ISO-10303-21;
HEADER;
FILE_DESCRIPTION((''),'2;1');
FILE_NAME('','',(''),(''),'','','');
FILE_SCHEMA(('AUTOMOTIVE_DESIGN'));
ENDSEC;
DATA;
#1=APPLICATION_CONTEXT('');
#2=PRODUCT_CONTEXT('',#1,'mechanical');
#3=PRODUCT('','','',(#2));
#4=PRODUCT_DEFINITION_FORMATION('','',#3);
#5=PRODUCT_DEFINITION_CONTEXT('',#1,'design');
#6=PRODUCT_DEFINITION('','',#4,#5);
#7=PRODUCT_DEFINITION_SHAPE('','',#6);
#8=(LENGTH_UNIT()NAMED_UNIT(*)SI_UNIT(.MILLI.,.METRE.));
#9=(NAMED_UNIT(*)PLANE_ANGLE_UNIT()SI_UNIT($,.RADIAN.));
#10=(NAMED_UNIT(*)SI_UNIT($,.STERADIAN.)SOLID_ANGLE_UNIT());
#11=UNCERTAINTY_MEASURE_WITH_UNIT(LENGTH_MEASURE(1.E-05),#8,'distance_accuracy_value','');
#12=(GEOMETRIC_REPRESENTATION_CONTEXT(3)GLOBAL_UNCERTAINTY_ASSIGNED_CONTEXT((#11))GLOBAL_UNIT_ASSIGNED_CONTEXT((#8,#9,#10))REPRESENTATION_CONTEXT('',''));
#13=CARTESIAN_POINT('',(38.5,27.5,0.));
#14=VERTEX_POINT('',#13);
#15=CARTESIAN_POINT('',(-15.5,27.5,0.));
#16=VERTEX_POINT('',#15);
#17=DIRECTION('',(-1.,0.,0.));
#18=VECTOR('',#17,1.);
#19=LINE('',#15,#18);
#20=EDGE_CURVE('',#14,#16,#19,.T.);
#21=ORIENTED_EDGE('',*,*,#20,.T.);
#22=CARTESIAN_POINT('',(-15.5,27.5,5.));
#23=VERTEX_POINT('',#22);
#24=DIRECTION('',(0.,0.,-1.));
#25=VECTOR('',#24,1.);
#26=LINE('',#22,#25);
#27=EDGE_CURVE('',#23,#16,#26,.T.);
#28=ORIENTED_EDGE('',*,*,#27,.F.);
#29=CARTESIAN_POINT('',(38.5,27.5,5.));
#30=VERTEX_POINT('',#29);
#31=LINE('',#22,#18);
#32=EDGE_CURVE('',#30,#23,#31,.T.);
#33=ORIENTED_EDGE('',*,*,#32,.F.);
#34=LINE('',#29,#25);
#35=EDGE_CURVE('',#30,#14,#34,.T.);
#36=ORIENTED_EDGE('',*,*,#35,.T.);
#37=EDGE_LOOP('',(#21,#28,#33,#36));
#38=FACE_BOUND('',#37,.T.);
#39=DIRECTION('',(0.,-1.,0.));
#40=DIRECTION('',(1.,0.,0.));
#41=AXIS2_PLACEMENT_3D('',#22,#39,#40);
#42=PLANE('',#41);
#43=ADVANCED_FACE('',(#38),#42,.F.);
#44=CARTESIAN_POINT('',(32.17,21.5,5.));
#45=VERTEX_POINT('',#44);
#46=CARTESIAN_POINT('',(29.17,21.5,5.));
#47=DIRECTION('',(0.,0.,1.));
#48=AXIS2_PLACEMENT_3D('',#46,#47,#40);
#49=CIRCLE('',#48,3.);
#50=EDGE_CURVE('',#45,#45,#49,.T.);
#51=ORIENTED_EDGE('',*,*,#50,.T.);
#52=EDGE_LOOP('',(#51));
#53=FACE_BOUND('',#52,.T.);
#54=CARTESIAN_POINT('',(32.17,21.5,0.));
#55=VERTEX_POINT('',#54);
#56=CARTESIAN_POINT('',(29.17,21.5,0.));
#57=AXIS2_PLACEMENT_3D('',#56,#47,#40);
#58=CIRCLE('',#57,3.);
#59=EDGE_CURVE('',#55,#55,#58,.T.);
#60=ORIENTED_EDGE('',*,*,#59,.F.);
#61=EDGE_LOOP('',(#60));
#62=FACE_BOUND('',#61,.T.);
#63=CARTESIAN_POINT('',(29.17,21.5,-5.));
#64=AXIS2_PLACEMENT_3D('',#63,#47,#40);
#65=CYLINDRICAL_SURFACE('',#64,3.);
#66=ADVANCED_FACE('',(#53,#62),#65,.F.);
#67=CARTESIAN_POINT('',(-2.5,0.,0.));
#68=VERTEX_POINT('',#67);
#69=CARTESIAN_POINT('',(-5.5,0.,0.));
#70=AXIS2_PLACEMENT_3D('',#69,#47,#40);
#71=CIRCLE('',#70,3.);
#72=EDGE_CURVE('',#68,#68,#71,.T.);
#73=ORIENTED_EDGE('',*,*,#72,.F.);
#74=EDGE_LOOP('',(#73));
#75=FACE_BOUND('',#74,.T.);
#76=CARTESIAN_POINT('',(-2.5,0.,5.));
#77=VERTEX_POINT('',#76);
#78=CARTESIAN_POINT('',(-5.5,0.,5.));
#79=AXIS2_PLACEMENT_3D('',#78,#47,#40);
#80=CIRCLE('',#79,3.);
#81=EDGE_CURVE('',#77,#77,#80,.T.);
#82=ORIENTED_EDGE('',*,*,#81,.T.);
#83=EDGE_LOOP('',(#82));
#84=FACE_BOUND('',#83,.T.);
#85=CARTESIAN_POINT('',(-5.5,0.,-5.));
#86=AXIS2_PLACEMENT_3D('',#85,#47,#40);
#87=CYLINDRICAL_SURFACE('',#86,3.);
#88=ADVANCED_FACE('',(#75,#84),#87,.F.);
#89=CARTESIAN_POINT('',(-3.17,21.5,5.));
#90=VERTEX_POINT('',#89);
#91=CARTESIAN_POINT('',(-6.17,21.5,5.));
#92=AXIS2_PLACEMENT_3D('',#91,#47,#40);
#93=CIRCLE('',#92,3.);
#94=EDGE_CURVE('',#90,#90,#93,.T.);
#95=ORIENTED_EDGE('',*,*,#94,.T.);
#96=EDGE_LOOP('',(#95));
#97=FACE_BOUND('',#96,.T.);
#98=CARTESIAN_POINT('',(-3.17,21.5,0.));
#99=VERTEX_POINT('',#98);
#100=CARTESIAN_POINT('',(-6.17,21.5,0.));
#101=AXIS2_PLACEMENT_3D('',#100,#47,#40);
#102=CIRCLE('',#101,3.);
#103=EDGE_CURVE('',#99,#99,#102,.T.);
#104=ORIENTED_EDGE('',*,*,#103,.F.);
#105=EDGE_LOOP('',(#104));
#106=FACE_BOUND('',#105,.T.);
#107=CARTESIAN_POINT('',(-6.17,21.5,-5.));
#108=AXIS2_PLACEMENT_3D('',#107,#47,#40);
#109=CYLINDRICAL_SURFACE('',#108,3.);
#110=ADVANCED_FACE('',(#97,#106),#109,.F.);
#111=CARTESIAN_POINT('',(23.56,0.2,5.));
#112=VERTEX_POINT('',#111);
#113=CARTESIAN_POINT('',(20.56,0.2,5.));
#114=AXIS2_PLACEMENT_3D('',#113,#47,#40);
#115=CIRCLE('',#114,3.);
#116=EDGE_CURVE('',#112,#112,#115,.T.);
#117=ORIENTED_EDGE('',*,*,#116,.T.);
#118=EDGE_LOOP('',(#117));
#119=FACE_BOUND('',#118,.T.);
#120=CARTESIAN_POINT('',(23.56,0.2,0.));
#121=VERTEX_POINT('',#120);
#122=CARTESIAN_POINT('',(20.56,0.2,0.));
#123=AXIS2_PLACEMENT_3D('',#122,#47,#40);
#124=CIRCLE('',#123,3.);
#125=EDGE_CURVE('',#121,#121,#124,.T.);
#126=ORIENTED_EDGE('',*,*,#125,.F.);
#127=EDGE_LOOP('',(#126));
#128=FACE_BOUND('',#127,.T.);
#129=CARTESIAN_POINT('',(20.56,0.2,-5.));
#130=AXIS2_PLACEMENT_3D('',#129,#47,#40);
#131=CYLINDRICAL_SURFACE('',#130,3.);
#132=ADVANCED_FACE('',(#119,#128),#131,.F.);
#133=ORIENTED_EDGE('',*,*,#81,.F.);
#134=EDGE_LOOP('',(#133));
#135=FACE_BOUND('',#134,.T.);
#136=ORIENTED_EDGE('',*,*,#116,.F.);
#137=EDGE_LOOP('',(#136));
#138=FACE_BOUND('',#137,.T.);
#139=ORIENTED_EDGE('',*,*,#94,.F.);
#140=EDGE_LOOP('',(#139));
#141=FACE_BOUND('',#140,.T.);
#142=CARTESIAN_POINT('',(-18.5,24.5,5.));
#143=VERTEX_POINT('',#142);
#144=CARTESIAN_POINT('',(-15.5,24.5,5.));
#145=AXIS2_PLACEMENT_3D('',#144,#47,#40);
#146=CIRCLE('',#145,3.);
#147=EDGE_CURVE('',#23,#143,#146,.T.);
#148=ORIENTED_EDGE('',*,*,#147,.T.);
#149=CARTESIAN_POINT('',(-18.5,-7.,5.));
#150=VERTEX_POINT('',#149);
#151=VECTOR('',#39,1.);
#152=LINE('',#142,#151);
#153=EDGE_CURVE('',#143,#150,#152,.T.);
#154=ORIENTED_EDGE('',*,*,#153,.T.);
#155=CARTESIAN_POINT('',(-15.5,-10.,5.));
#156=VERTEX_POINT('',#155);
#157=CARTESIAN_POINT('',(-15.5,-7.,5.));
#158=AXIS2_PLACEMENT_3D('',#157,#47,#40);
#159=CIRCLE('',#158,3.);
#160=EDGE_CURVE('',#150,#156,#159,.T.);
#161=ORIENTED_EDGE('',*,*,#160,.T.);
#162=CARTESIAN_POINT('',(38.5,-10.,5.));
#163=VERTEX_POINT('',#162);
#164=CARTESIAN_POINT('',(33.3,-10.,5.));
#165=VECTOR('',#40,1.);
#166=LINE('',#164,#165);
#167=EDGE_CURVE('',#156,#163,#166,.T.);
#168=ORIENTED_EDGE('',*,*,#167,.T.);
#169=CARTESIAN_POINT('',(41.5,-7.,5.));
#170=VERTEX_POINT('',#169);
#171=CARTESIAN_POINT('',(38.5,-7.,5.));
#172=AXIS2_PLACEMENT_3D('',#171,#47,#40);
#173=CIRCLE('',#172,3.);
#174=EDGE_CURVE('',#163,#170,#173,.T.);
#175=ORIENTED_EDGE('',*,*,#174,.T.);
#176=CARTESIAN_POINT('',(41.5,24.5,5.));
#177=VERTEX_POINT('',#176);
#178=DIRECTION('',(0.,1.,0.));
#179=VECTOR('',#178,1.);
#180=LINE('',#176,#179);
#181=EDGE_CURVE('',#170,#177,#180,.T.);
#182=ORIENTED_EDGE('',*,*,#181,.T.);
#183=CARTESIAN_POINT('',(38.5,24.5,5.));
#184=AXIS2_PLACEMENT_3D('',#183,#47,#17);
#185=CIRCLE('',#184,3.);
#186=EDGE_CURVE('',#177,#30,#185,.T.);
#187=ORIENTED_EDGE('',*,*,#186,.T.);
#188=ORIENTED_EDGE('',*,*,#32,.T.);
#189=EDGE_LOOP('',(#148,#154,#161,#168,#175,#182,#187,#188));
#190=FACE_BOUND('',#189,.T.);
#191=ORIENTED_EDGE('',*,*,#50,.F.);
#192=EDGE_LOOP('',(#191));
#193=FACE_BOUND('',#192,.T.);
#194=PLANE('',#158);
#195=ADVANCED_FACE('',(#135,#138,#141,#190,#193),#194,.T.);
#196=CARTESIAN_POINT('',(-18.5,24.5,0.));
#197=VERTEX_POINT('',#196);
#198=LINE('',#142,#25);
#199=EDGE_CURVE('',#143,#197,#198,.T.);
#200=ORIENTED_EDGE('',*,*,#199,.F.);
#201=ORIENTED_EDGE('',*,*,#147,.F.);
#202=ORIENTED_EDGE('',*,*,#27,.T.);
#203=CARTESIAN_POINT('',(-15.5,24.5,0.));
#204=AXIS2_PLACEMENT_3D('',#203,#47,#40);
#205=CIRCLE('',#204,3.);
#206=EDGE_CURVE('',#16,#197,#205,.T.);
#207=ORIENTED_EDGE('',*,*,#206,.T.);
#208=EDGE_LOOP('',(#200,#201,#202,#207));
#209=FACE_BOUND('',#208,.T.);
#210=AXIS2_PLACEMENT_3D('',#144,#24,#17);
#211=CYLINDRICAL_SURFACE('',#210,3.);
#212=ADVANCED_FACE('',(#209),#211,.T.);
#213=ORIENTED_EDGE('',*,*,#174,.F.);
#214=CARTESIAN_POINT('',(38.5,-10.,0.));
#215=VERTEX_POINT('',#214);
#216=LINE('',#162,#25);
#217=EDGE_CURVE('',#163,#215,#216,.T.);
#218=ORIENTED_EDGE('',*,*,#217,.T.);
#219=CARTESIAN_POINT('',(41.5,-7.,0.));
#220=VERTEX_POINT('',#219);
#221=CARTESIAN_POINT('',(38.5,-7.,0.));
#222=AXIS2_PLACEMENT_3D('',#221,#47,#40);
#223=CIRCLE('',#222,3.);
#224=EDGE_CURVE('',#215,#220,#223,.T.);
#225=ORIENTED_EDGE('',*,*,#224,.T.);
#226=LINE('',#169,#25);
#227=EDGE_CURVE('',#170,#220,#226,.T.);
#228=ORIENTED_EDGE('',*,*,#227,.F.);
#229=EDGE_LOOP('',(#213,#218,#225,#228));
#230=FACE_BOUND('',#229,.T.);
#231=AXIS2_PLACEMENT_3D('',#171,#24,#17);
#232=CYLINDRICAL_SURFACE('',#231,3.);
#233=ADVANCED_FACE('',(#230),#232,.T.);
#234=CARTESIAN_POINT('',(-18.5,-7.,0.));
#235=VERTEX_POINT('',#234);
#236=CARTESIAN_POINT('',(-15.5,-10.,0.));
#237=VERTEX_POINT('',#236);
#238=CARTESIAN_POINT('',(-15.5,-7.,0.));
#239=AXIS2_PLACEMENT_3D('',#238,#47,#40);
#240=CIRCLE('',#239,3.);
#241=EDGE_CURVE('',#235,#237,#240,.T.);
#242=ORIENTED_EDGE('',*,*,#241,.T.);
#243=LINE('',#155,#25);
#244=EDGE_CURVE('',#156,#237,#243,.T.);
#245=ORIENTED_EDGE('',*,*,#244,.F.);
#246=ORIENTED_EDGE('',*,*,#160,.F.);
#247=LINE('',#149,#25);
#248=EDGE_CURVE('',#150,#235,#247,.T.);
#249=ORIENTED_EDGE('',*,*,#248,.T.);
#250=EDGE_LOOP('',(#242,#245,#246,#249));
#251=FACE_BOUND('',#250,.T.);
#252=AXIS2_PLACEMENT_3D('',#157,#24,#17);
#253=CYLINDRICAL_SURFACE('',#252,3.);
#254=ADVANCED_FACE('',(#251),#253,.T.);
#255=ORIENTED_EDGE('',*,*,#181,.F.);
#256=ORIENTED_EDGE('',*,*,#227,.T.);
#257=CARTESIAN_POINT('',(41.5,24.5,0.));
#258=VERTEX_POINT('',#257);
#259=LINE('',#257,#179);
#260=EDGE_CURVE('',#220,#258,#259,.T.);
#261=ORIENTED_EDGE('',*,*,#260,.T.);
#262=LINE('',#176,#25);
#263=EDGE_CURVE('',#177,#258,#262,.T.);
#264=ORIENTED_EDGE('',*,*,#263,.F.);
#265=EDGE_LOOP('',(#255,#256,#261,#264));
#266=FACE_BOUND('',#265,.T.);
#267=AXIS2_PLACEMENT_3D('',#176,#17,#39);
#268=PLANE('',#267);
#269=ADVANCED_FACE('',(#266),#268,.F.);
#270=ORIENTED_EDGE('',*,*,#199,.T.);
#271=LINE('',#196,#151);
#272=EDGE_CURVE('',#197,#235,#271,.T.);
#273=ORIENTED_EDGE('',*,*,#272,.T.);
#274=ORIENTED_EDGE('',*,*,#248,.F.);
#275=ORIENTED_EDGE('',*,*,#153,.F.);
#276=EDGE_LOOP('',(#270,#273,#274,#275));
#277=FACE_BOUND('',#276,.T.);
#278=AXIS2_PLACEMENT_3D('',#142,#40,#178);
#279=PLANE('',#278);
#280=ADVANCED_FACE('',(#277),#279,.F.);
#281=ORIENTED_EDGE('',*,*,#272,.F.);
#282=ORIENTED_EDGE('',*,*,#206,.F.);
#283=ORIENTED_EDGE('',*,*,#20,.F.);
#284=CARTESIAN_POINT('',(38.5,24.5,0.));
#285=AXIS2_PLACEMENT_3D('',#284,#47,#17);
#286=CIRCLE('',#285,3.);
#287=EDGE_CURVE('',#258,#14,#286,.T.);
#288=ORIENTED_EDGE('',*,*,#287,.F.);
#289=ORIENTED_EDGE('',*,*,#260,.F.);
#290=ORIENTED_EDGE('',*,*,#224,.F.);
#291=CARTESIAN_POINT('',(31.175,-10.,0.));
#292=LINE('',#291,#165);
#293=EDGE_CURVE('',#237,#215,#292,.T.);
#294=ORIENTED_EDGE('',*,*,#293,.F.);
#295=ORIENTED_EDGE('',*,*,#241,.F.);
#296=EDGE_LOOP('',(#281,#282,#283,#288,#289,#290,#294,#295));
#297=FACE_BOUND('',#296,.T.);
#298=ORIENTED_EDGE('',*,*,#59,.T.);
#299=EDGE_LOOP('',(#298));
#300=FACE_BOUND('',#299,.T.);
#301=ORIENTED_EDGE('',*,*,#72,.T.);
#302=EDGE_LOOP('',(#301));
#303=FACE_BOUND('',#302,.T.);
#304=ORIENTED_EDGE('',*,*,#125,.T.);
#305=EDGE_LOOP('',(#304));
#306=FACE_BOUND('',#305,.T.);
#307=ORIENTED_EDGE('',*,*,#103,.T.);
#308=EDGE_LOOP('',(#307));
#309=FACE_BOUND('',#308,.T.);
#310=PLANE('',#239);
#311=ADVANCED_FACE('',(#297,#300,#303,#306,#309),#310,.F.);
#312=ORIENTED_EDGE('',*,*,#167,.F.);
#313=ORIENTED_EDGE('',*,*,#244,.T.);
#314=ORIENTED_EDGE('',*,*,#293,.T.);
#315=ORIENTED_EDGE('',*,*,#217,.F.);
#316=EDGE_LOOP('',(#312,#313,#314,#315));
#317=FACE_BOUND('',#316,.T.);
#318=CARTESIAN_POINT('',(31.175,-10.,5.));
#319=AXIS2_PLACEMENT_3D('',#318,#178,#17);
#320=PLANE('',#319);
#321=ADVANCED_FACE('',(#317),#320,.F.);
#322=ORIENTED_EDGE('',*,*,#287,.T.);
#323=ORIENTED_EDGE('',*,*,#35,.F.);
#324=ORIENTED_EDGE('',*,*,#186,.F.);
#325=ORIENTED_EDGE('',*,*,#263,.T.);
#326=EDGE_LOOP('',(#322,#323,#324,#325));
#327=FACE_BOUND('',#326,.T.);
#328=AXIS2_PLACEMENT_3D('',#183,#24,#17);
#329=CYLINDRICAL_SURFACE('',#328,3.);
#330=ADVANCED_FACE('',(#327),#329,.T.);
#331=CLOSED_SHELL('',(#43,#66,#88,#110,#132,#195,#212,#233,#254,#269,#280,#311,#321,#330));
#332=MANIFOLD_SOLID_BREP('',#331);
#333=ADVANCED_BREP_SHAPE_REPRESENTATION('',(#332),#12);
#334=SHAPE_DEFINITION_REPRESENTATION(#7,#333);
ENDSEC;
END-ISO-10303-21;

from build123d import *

# Parameters (mm, degrees)
EXTRUDE_1_DEPTH     = 5
SKETCH_2_R          = 3
CUT_EXTRUDE_1_DEPTH = 10
SKETCH_4_R          = 3
CUT_EXTRUDE_2_DEPTH = 10
SKETCH_9_R          = 3
CUT_EXTRUDE_3_DEPTH = 10


with BuildPart() as part:
    # 草图1 → 凸台-拉伸1 (new body)
    with BuildSketch(Plane.XY):
        with BuildLine():
            Line((-15.5, 27.5), (38.5, 27.5))
            ThreePointArc((38.5, 27.5), (40.621320344, 26.621320344), (41.5, 24.5))
            Line((41.5, 24.5), (41.5, -7))
            ThreePointArc((41.5, -7), (40.621320344, -9.121320344), (38.5, -10))
            Line((38.5, -10), (33.3, -10))
            Line((33.3, -10), (31.175, -10))
            Line((31.175, -10), (-8.825, -10))
            Line((-8.825, -10), (-15.5, -10))
            ThreePointArc((-15.5, -10), (-17.621320344, -9.121320344), (-18.5, -7))
            Line((-18.5, -7), (-18.5, 24.5))
            ThreePointArc((-18.5, 24.5), (-17.621320344, 26.621320344), (-15.5, 27.5))
        make_face()
    extrude(amount=EXTRUDE_1_DEPTH)

    # 草图2 → 切除-拉伸1 (cut)
    with BuildSketch(Plane.XY.offset(5)):
        with Locations((-6.17, 21.5)):
            Circle(SKETCH_2_R)
        with Locations((29.17, 21.5)):
            Circle(SKETCH_2_R)
    extrude(amount=-CUT_EXTRUDE_1_DEPTH, mode=Mode.SUBTRACT)

    # 草图4 → 切除-拉伸2 (cut)
    with BuildSketch(Plane.XY.offset(5)):
        with Locations((-5.5, 0)):
            Circle(SKETCH_4_R)
    extrude(amount=-CUT_EXTRUDE_2_DEPTH, mode=Mode.SUBTRACT)

    # 草图9 → 切除-拉伸3 (cut)
    with BuildSketch(Plane.XY.offset(5)):
        with Locations((20.56, 0.2)):
            Circle(SKETCH_9_R)
    extrude(amount=-CUT_EXTRUDE_3_DEPTH, mode=Mode.SUBTRACT)


solid = part.part
